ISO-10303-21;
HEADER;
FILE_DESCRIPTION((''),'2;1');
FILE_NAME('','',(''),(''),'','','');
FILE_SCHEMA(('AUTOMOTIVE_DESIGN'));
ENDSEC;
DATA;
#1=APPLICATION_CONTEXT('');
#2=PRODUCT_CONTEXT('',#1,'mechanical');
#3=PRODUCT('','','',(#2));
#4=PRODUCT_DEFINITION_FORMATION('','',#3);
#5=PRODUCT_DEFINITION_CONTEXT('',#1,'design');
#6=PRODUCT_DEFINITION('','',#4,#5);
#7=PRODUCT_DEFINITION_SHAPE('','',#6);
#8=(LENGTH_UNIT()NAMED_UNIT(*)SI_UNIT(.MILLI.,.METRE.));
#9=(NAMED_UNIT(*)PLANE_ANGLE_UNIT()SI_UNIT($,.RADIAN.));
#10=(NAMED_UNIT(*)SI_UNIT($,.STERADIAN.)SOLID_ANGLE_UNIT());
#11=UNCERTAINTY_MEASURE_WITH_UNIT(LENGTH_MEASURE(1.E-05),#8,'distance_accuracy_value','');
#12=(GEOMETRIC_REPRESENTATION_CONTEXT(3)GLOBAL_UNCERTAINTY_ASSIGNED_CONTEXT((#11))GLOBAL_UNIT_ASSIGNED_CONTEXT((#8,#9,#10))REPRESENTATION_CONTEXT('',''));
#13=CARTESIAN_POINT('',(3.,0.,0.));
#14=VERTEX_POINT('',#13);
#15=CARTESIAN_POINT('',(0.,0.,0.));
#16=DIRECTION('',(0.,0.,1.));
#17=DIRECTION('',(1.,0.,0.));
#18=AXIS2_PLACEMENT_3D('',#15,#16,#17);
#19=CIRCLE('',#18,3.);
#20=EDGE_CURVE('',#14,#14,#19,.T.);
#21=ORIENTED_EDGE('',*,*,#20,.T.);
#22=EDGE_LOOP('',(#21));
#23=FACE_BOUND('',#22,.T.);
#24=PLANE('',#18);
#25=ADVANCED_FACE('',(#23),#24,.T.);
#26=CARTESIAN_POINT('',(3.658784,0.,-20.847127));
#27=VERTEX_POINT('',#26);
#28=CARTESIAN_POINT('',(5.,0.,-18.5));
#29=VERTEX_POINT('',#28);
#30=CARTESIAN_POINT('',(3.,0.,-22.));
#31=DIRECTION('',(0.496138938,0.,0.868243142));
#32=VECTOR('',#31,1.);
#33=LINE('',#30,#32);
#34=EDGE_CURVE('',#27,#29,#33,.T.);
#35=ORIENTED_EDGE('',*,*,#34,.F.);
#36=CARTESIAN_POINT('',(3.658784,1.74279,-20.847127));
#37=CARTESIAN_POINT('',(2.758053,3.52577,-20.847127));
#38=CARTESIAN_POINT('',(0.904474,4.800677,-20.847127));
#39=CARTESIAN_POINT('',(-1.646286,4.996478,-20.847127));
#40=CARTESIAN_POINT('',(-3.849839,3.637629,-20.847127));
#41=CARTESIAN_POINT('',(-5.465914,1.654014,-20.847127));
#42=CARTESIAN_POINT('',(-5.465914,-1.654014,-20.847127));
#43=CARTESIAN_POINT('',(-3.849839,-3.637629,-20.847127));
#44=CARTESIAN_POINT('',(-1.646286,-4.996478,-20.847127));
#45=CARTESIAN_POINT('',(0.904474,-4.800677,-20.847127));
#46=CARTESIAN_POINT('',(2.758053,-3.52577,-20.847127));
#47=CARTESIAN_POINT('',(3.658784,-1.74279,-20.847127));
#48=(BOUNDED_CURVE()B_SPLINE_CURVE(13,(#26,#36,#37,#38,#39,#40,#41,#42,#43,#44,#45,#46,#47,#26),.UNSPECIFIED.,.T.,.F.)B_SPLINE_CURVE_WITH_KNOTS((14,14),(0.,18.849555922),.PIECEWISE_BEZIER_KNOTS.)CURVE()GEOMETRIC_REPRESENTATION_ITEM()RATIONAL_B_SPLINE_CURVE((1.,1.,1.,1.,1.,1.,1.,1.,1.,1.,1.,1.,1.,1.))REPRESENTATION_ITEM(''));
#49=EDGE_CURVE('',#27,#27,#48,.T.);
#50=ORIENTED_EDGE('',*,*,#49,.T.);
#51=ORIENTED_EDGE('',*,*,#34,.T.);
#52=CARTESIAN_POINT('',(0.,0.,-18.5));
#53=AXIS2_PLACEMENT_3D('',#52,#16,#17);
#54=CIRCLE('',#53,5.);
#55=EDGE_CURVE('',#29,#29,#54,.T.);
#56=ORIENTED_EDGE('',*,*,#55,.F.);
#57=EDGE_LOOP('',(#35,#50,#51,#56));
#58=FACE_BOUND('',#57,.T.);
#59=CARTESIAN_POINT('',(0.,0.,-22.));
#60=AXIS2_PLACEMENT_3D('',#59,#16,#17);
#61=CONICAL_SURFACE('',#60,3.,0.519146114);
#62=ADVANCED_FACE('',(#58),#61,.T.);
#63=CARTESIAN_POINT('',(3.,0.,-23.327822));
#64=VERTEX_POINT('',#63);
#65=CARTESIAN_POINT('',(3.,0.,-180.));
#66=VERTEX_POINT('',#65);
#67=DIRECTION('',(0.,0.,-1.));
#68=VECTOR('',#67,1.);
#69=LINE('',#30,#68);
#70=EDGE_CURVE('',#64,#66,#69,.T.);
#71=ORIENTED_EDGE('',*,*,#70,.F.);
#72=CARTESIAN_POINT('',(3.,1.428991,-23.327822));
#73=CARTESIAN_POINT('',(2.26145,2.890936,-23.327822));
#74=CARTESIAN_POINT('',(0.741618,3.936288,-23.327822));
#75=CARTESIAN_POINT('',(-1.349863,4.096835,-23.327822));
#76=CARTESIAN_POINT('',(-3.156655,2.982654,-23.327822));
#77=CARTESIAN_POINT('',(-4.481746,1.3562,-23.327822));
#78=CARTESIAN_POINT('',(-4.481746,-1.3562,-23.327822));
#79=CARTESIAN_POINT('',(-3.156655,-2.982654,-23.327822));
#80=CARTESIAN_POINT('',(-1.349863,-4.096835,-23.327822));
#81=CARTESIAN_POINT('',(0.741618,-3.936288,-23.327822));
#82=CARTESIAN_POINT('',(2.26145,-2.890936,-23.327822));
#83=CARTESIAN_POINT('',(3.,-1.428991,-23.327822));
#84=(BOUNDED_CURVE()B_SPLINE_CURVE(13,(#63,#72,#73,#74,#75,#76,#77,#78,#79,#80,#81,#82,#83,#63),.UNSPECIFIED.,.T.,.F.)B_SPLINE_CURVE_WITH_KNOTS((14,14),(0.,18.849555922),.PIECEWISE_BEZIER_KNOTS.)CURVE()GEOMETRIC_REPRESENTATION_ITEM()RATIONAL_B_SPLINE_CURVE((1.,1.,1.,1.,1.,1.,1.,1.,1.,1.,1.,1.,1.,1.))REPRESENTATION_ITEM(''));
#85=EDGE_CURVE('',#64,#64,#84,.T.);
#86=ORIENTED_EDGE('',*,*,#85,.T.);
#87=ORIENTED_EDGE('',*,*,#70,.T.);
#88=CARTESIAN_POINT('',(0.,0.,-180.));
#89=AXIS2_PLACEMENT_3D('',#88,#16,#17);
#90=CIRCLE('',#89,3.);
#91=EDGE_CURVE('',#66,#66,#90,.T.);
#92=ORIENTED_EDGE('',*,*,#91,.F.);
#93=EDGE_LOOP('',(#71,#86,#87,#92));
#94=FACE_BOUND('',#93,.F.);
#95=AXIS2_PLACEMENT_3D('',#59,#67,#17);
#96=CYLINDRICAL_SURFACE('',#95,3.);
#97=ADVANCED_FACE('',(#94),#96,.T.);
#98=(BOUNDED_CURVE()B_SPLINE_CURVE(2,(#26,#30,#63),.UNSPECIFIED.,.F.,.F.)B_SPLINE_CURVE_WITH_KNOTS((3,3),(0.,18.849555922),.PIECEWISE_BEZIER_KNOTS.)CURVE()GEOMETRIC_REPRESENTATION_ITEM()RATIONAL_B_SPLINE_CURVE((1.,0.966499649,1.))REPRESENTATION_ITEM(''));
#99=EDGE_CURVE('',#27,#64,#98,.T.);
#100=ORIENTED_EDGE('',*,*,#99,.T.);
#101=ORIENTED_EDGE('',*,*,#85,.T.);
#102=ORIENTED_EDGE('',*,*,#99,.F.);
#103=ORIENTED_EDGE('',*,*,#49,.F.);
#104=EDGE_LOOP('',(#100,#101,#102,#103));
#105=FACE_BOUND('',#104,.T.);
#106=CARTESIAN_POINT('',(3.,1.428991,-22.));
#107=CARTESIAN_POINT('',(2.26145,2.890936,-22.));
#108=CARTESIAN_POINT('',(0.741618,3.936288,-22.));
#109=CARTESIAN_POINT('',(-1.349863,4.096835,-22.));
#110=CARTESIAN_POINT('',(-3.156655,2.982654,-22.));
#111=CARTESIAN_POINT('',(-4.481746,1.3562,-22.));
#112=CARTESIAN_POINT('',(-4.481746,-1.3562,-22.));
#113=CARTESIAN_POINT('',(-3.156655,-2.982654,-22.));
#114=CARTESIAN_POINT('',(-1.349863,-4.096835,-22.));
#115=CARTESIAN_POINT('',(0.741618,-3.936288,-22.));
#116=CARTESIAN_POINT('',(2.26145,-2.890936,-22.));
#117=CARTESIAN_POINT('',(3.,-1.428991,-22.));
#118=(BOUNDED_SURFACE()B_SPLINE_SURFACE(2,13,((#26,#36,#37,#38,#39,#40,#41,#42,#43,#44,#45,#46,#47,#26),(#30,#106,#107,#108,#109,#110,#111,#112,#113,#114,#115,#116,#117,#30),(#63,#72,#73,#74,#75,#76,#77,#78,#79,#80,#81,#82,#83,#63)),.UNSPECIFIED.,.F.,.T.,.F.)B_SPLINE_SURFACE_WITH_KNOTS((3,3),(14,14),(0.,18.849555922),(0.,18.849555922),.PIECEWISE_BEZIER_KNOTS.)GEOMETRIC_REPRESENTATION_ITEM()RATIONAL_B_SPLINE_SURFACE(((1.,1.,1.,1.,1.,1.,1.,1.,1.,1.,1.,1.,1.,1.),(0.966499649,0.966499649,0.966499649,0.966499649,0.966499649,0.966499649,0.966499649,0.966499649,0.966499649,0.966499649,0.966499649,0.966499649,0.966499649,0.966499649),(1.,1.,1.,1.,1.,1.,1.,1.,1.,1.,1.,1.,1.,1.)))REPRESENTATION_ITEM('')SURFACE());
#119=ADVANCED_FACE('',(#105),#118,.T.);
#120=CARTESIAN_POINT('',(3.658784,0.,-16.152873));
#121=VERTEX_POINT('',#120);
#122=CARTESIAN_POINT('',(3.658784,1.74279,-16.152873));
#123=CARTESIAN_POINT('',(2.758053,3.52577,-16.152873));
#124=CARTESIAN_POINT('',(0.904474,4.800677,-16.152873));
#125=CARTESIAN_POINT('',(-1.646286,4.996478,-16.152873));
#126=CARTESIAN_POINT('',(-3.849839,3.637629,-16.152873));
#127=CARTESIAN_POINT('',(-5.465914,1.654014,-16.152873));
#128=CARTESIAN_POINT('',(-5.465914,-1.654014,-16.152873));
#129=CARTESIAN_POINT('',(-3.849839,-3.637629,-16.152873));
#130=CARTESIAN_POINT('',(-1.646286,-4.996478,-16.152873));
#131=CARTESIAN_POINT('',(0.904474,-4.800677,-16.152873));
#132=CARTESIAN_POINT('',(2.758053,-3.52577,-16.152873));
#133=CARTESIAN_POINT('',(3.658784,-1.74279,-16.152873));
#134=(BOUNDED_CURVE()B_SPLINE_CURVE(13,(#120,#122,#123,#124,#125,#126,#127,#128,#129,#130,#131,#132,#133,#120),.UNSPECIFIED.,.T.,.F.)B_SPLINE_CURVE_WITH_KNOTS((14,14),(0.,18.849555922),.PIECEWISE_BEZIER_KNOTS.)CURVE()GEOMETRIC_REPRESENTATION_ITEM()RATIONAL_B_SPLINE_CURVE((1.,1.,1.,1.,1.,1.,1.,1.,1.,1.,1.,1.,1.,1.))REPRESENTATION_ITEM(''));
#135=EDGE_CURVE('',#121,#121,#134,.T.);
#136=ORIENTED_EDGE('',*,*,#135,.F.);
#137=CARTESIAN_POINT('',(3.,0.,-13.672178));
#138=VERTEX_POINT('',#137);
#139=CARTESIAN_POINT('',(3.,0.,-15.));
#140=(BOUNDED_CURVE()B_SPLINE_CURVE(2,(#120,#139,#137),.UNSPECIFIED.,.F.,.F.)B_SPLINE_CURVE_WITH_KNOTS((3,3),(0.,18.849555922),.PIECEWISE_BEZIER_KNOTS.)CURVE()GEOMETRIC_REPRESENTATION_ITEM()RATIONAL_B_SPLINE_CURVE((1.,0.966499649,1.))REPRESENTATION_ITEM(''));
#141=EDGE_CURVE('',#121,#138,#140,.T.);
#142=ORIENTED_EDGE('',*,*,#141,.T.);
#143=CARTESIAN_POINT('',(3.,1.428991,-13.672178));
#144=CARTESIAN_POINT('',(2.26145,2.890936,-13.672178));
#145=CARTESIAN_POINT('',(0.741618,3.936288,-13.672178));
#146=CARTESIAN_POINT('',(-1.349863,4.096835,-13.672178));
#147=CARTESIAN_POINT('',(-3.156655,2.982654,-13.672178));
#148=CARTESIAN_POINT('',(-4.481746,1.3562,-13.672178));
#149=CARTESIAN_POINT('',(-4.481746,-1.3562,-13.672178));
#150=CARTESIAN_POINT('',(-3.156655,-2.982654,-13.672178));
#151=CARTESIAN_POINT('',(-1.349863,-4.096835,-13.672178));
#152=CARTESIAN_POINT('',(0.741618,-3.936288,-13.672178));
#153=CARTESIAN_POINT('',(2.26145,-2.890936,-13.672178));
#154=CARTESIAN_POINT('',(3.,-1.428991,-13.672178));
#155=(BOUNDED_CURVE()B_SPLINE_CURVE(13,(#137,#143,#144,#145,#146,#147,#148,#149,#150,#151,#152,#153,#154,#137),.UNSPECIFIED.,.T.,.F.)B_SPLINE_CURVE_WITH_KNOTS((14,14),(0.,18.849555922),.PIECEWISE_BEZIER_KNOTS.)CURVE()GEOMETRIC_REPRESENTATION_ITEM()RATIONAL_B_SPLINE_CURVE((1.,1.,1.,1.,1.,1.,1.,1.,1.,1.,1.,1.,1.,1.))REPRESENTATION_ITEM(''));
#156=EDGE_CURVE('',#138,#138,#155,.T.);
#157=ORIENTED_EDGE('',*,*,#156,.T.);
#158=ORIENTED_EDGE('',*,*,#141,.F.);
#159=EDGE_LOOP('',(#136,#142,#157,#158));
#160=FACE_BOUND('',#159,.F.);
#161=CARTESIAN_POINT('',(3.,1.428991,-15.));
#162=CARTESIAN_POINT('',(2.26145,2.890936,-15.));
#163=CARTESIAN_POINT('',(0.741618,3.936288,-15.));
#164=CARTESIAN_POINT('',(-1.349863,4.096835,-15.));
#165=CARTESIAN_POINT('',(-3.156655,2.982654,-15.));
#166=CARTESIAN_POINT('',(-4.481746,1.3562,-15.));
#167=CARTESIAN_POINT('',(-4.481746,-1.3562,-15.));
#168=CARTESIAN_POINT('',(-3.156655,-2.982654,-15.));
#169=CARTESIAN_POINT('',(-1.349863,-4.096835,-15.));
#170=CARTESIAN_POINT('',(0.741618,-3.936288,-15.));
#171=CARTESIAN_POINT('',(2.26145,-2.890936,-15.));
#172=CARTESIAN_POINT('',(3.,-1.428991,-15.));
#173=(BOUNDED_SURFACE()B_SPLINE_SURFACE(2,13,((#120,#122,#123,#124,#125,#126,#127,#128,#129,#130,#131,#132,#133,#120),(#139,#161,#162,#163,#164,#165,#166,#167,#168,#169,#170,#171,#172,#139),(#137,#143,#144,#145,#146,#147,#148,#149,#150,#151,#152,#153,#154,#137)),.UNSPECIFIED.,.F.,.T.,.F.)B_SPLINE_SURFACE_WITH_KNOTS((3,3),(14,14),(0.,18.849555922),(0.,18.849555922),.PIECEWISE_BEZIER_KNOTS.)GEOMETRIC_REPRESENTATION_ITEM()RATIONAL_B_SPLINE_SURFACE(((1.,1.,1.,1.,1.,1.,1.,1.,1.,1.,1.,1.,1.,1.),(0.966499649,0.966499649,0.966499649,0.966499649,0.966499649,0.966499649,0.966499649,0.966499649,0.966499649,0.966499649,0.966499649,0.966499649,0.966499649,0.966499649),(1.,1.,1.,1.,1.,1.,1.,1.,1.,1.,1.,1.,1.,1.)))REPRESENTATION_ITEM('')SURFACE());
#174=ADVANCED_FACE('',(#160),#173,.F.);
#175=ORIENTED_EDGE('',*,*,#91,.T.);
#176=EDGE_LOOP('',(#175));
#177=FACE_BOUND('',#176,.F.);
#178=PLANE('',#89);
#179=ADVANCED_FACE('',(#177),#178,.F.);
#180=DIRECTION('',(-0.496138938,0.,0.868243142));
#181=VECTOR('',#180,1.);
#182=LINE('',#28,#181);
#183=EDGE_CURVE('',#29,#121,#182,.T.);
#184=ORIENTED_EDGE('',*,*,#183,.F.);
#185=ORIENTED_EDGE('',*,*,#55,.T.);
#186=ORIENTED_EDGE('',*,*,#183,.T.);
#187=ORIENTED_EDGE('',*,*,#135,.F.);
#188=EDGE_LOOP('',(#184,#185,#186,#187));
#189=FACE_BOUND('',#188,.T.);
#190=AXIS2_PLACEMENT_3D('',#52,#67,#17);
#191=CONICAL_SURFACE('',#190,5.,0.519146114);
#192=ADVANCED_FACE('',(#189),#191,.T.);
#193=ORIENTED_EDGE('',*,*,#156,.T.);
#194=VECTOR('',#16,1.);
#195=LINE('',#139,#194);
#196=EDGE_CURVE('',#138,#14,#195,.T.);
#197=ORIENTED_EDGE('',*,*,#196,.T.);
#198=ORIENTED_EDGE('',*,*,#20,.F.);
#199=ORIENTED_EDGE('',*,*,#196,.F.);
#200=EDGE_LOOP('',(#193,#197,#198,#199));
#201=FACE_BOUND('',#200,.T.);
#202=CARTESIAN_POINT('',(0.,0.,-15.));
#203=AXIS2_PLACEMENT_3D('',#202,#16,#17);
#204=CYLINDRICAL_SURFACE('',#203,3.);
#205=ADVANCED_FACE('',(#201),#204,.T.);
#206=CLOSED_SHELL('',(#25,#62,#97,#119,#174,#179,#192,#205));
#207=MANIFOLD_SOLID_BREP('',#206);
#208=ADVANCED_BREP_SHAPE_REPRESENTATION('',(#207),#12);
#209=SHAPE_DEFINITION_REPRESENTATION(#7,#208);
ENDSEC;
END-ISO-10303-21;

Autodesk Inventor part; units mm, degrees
ref_plane "YZ Plane" through (0, 0, 0) normal (1, 0, 0) x (0, 1, 0)
ref_plane "XZ Plane" through (0, 0, 0) normal (0, 1, 0) x (-1, 0, 0)
ref_plane "XY Plane" through (0, 0, 0) normal (0, 0, 1) x (1, 0, 0)
sketch "Sketch1" plane through (0, 0, 0) normal (0, 1, 0) x (-1, 0, 0)
  line L0 (-3, -22) -> (-3, -180)
  line L1 (-3, -180) -> (0, -180)
  line L2 (0, -180) -> (0, 0)
  line L3 (-5, -18.5) -> (0, -18.5) construction
  line L4 (-5, -18.5) -> (-5, -20.565) construction
  line L5 (-3, -22) -> (-5, -18.5)
  line L6 (-5, -18.5) -> (-3, -15)
  line L7 (-3, -15) -> (-3, 0)
  line L8 (-3, 0) -> (0, 0)
  dimension "d5" = 180
  dimension "d8" = 5
  dimension "d12" = 6
  dimension "d14" = 15
  dimension "d15" = 7
revolve "Revolution1" add sketch "Sketch1" angle 360 about axis through (0, 0, -180) along (0, 0, 1)
fillet "Fillet2" radius 5 2 edges at (-3, 0, -22) (-3, 0, -15)
properties part number "SealantApplicator"
